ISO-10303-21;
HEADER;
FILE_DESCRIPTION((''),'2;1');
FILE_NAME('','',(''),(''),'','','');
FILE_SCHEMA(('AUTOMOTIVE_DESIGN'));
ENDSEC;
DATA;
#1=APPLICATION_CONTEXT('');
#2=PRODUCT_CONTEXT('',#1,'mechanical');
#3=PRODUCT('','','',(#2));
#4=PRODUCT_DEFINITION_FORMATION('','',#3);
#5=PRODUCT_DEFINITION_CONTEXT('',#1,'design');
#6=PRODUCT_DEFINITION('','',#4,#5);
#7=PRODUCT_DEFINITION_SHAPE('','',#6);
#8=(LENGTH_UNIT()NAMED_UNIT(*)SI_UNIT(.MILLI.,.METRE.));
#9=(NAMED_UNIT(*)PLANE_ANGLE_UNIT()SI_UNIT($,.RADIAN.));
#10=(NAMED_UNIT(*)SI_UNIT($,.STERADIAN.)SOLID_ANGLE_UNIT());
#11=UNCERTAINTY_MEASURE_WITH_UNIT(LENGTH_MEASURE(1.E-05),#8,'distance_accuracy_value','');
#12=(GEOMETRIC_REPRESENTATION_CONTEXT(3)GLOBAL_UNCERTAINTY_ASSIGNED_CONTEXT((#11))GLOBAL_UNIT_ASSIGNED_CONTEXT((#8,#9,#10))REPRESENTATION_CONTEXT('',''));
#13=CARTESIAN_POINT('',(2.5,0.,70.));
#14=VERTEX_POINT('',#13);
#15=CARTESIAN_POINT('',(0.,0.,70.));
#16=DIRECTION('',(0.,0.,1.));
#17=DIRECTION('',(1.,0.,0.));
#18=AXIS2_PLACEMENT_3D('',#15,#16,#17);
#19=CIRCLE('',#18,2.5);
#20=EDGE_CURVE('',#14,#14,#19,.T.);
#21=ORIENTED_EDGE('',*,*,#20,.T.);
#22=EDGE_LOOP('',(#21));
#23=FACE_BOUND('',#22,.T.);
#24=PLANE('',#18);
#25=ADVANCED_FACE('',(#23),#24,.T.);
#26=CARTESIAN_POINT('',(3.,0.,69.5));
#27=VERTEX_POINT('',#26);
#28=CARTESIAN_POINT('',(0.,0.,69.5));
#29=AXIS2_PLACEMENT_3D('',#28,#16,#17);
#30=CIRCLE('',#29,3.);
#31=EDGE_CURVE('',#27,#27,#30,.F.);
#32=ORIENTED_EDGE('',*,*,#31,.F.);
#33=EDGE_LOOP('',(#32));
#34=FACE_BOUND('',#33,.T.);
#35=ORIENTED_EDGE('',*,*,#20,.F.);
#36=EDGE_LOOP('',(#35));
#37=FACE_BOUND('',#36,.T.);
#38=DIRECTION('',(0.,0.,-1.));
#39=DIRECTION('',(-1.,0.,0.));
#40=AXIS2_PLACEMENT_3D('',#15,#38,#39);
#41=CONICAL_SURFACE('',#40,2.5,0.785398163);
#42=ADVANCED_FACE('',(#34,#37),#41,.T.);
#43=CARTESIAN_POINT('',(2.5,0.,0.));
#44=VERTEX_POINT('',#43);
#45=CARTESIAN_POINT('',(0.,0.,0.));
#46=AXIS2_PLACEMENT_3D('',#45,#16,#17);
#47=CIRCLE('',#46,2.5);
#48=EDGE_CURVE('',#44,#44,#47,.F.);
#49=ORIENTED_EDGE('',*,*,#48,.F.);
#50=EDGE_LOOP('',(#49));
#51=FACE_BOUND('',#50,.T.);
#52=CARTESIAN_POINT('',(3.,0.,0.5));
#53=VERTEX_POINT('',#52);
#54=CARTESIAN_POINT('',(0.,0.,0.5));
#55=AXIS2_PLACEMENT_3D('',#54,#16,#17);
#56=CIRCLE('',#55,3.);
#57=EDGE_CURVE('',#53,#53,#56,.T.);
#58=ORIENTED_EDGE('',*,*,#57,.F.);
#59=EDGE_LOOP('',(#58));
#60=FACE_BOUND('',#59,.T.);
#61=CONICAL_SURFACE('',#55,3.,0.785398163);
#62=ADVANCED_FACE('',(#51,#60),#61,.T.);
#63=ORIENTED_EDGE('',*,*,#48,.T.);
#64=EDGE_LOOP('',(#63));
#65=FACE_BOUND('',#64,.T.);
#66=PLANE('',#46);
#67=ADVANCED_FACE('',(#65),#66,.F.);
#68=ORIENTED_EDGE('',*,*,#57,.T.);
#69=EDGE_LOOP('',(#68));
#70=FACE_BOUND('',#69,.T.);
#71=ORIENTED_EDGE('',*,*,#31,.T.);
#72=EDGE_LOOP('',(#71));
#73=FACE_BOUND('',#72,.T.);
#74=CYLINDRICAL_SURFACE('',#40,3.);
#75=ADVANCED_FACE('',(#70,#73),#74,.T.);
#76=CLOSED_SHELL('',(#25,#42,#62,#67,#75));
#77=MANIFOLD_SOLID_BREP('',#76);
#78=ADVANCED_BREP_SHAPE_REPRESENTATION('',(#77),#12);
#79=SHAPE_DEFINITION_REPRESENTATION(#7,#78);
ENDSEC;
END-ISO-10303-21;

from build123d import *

# Parameters (mm, degrees)
ESQUISSE1_R        = 3
BOSS_EXTRU_1_DEPTH = 70
CHANFREIN1_SIZE    = 0.5


with BuildPart() as part:
    # Esquisse1 → Boss.-Extru.1 (new body)
    with BuildSketch(Plane.XY):
        Circle(ESQUISSE1_R)
    extrude(amount=BOSS_EXTRU_1_DEPTH)

    # Chanfrein1
    chanfrein1_edges = [part.edges().sort_by_distance(p)[0] for p in [
        (-3, 0, 0),
        (-3, 0, 70),
    ]]
    chamfer(chanfrein1_edges, length=CHANFREIN1_SIZE)


solid = part.part
